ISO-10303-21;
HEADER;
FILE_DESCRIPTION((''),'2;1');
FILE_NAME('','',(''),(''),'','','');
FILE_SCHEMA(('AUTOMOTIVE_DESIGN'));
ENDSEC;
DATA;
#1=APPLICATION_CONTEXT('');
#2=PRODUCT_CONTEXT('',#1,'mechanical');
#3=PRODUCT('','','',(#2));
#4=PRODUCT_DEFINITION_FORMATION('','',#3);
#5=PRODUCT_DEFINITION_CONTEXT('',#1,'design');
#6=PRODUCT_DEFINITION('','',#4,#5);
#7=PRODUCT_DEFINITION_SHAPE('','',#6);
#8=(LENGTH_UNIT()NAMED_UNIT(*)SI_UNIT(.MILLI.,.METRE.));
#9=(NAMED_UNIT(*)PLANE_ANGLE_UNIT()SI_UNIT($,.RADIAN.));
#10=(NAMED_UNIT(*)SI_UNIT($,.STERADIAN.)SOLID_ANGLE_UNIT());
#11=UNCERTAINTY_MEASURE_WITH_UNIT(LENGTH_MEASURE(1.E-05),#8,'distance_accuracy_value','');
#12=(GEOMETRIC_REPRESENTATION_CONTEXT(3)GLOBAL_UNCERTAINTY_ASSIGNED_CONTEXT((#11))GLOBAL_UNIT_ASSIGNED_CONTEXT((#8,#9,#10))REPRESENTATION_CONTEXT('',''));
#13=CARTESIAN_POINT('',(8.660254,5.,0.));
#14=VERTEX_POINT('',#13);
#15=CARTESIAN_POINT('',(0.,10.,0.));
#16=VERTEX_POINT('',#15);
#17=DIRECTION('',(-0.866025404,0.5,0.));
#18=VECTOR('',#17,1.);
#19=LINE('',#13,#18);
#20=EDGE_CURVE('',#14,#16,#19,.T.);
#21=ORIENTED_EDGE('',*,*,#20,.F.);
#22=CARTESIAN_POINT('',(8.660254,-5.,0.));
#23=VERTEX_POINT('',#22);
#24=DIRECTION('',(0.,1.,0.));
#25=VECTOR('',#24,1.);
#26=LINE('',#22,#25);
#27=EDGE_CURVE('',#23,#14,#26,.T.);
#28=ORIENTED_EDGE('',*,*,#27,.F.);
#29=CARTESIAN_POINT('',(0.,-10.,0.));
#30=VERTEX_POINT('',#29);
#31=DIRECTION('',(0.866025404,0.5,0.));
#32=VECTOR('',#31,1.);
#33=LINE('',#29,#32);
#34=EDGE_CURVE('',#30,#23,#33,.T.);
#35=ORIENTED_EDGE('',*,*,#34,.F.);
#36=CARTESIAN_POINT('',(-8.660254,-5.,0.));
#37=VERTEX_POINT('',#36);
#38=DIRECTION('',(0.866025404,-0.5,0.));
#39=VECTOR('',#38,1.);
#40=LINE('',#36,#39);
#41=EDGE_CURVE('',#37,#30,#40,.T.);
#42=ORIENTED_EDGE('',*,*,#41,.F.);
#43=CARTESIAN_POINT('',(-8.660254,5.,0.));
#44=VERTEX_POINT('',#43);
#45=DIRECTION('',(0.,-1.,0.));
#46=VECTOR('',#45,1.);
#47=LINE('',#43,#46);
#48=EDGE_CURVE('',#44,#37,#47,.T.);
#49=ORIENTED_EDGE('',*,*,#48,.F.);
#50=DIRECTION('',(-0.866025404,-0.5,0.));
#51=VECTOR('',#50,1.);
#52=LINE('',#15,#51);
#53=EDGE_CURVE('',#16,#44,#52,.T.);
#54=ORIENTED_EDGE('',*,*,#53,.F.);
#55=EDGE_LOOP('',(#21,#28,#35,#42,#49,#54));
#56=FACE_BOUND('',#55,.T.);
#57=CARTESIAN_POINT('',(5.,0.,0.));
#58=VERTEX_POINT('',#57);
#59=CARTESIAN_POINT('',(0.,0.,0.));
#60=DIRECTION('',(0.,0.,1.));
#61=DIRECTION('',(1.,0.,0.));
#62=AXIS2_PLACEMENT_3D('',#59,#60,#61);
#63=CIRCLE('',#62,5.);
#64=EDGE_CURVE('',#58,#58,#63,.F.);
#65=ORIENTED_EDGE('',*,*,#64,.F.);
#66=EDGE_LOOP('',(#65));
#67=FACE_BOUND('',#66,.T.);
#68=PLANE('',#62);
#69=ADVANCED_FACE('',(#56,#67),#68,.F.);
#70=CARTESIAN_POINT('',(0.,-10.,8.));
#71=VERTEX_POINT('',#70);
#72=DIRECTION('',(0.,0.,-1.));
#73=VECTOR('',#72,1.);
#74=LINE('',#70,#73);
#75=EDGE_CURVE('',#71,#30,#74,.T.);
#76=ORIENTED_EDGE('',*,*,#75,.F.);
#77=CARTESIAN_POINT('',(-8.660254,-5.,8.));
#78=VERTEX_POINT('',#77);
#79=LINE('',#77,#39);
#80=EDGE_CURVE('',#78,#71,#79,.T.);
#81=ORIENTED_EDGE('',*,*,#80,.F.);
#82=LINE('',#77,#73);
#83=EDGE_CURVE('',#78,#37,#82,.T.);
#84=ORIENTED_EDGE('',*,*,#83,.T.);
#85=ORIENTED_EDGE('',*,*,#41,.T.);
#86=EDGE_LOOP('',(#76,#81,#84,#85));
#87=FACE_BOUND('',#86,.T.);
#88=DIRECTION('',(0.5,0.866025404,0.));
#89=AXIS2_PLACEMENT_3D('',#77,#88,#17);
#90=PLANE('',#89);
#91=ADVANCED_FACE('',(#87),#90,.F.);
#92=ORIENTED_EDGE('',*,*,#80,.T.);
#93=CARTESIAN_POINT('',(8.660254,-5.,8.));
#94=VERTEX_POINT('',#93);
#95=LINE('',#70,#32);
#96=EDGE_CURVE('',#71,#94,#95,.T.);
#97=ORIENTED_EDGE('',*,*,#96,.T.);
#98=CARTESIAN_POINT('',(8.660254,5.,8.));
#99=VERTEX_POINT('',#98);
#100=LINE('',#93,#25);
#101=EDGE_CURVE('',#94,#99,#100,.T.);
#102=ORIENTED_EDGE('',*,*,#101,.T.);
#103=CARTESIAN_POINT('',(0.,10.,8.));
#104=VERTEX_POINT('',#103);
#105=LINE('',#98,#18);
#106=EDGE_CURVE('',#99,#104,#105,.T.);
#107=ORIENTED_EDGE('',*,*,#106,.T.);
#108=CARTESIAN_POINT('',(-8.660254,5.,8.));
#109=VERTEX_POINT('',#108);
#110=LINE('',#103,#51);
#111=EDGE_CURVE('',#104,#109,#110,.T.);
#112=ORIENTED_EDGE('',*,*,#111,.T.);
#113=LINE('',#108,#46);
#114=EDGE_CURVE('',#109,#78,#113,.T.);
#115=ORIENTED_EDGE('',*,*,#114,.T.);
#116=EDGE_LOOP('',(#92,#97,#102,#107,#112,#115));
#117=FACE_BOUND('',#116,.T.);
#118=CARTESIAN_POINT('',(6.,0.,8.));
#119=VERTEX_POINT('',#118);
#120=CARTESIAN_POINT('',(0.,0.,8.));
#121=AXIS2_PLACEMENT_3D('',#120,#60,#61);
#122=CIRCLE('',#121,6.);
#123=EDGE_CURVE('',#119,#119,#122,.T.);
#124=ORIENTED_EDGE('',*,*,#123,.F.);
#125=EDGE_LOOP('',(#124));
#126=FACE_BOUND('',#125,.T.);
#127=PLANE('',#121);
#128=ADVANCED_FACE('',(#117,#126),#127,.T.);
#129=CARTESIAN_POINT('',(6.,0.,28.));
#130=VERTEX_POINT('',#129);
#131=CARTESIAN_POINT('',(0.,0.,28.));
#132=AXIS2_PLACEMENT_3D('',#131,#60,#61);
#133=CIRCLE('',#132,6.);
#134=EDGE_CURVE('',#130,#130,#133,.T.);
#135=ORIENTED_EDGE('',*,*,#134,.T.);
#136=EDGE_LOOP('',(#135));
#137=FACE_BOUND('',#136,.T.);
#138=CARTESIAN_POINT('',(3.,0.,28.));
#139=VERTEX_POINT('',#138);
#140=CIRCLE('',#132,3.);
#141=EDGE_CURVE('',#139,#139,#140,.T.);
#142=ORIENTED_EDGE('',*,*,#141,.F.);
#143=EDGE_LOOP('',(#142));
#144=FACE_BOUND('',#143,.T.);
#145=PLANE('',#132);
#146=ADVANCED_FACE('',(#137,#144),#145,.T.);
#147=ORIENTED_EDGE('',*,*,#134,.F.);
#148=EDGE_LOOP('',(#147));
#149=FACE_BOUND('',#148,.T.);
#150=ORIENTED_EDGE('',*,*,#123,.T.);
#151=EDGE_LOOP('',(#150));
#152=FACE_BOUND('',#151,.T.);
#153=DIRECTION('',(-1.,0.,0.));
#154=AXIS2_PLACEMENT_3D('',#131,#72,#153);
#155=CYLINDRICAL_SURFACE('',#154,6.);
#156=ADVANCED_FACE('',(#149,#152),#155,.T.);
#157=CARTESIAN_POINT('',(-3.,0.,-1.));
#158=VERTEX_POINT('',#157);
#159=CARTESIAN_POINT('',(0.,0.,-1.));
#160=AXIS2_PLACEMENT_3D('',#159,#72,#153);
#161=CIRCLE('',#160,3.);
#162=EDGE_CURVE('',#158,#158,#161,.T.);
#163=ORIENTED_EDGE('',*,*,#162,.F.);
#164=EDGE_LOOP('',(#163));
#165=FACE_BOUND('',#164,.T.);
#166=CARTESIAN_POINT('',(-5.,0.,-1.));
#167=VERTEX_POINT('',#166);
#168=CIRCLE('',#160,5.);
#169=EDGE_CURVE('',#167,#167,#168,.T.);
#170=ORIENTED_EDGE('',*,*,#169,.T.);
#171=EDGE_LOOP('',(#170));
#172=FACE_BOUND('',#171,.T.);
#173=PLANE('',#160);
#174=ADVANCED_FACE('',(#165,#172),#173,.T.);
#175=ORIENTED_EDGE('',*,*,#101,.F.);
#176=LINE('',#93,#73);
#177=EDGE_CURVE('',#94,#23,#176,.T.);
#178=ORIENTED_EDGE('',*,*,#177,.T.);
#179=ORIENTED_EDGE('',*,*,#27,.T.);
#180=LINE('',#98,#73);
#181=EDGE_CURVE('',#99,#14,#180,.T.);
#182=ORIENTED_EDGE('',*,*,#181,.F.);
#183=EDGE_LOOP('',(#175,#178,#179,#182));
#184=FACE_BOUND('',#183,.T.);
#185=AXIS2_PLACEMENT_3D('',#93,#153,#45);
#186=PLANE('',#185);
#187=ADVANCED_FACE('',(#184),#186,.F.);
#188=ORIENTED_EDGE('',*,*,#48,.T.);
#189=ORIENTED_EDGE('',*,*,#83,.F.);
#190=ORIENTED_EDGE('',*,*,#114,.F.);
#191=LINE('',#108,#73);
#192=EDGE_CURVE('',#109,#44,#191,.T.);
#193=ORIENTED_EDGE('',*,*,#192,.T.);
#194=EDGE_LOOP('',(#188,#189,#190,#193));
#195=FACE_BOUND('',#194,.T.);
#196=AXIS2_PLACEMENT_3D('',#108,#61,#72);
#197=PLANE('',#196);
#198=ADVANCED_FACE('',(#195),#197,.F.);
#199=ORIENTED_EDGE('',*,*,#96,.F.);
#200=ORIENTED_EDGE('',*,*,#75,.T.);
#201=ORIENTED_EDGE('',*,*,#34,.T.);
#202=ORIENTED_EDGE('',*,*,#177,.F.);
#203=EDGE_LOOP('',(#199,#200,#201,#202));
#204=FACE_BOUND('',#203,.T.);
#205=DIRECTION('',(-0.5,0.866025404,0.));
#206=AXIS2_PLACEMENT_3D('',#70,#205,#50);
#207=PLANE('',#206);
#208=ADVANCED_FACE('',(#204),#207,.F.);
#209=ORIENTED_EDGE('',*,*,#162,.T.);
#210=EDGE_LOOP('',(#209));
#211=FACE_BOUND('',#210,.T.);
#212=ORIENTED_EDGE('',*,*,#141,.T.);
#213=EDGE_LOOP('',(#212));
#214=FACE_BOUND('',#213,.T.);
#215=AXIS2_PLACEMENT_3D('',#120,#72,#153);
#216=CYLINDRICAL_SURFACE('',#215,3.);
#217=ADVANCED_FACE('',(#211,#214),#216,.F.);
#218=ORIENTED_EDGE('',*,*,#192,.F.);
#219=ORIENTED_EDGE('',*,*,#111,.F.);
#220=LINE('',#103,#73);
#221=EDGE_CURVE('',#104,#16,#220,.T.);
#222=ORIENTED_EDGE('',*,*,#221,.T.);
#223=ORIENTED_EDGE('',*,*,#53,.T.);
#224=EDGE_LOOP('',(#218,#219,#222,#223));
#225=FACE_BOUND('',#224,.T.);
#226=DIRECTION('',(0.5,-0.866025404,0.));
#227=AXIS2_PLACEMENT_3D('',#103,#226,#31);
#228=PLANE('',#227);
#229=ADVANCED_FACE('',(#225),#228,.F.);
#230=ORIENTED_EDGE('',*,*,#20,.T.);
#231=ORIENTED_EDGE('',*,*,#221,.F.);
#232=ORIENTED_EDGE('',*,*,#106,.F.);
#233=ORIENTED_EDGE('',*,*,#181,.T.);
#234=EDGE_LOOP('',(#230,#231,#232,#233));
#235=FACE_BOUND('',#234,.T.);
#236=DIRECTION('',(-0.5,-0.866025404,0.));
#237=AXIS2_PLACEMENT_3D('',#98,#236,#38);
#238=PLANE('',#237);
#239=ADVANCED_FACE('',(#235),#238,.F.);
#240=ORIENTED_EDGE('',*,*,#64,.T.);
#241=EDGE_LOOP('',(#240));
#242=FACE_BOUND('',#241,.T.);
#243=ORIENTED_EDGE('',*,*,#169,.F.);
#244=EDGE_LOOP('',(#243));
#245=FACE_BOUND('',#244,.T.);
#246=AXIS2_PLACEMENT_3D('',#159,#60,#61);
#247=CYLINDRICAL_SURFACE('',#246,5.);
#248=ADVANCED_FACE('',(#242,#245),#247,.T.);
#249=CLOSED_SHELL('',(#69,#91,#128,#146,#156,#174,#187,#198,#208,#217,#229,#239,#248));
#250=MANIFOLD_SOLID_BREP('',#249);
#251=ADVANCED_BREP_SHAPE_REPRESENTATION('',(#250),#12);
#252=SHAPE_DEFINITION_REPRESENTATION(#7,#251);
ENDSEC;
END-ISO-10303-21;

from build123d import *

# Parameters (mm, degrees)
ESBO_O1_R                = 3
RESSALTO_EXTRUS_O1_DEPTH = 8
ESBO_O2_R                = 5
ESBO_O2_R_2              = 3
RESSALTO_EXTRUS_O2_DEPTH = 1
ESBO_O3_R                = 6
ESBO_O3_R_2              = 3
RESSALTO_EXTRUS_O3_DEPTH = 20


with BuildPart() as part:
    # Esboço1 → Ressalto-extrusão1 (new body)
    with BuildSketch(Plane.XY):
        Polygon((-8.660254038, 5), (-8.660254038, -5), (0, -10), (8.660254038, -5), (8.660254038, 5), (0, 10), align=None)
        Circle(ESBO_O1_R, mode=Mode.SUBTRACT)
    extrude(amount=RESSALTO_EXTRUS_O1_DEPTH)

    # Esboço2 → Ressalto-extrusão2 (add)
    with BuildSketch(Plane(origin=(0, 0, 0), x_dir=(-1, 0, 0), z_dir=(0, 0, -1))):
        Circle(ESBO_O2_R)
        Circle(ESBO_O2_R_2, mode=Mode.SUBTRACT)
    extrude(amount=RESSALTO_EXTRUS_O2_DEPTH)

    # Esboço3 → Ressalto-extrusão3 (add)
    with BuildSketch(Plane.XY.offset(8)):
        Circle(ESBO_O3_R)
        Circle(ESBO_O3_R_2, mode=Mode.SUBTRACT)
    extrude(amount=RESSALTO_EXTRUS_O3_DEPTH)


solid = part.part
